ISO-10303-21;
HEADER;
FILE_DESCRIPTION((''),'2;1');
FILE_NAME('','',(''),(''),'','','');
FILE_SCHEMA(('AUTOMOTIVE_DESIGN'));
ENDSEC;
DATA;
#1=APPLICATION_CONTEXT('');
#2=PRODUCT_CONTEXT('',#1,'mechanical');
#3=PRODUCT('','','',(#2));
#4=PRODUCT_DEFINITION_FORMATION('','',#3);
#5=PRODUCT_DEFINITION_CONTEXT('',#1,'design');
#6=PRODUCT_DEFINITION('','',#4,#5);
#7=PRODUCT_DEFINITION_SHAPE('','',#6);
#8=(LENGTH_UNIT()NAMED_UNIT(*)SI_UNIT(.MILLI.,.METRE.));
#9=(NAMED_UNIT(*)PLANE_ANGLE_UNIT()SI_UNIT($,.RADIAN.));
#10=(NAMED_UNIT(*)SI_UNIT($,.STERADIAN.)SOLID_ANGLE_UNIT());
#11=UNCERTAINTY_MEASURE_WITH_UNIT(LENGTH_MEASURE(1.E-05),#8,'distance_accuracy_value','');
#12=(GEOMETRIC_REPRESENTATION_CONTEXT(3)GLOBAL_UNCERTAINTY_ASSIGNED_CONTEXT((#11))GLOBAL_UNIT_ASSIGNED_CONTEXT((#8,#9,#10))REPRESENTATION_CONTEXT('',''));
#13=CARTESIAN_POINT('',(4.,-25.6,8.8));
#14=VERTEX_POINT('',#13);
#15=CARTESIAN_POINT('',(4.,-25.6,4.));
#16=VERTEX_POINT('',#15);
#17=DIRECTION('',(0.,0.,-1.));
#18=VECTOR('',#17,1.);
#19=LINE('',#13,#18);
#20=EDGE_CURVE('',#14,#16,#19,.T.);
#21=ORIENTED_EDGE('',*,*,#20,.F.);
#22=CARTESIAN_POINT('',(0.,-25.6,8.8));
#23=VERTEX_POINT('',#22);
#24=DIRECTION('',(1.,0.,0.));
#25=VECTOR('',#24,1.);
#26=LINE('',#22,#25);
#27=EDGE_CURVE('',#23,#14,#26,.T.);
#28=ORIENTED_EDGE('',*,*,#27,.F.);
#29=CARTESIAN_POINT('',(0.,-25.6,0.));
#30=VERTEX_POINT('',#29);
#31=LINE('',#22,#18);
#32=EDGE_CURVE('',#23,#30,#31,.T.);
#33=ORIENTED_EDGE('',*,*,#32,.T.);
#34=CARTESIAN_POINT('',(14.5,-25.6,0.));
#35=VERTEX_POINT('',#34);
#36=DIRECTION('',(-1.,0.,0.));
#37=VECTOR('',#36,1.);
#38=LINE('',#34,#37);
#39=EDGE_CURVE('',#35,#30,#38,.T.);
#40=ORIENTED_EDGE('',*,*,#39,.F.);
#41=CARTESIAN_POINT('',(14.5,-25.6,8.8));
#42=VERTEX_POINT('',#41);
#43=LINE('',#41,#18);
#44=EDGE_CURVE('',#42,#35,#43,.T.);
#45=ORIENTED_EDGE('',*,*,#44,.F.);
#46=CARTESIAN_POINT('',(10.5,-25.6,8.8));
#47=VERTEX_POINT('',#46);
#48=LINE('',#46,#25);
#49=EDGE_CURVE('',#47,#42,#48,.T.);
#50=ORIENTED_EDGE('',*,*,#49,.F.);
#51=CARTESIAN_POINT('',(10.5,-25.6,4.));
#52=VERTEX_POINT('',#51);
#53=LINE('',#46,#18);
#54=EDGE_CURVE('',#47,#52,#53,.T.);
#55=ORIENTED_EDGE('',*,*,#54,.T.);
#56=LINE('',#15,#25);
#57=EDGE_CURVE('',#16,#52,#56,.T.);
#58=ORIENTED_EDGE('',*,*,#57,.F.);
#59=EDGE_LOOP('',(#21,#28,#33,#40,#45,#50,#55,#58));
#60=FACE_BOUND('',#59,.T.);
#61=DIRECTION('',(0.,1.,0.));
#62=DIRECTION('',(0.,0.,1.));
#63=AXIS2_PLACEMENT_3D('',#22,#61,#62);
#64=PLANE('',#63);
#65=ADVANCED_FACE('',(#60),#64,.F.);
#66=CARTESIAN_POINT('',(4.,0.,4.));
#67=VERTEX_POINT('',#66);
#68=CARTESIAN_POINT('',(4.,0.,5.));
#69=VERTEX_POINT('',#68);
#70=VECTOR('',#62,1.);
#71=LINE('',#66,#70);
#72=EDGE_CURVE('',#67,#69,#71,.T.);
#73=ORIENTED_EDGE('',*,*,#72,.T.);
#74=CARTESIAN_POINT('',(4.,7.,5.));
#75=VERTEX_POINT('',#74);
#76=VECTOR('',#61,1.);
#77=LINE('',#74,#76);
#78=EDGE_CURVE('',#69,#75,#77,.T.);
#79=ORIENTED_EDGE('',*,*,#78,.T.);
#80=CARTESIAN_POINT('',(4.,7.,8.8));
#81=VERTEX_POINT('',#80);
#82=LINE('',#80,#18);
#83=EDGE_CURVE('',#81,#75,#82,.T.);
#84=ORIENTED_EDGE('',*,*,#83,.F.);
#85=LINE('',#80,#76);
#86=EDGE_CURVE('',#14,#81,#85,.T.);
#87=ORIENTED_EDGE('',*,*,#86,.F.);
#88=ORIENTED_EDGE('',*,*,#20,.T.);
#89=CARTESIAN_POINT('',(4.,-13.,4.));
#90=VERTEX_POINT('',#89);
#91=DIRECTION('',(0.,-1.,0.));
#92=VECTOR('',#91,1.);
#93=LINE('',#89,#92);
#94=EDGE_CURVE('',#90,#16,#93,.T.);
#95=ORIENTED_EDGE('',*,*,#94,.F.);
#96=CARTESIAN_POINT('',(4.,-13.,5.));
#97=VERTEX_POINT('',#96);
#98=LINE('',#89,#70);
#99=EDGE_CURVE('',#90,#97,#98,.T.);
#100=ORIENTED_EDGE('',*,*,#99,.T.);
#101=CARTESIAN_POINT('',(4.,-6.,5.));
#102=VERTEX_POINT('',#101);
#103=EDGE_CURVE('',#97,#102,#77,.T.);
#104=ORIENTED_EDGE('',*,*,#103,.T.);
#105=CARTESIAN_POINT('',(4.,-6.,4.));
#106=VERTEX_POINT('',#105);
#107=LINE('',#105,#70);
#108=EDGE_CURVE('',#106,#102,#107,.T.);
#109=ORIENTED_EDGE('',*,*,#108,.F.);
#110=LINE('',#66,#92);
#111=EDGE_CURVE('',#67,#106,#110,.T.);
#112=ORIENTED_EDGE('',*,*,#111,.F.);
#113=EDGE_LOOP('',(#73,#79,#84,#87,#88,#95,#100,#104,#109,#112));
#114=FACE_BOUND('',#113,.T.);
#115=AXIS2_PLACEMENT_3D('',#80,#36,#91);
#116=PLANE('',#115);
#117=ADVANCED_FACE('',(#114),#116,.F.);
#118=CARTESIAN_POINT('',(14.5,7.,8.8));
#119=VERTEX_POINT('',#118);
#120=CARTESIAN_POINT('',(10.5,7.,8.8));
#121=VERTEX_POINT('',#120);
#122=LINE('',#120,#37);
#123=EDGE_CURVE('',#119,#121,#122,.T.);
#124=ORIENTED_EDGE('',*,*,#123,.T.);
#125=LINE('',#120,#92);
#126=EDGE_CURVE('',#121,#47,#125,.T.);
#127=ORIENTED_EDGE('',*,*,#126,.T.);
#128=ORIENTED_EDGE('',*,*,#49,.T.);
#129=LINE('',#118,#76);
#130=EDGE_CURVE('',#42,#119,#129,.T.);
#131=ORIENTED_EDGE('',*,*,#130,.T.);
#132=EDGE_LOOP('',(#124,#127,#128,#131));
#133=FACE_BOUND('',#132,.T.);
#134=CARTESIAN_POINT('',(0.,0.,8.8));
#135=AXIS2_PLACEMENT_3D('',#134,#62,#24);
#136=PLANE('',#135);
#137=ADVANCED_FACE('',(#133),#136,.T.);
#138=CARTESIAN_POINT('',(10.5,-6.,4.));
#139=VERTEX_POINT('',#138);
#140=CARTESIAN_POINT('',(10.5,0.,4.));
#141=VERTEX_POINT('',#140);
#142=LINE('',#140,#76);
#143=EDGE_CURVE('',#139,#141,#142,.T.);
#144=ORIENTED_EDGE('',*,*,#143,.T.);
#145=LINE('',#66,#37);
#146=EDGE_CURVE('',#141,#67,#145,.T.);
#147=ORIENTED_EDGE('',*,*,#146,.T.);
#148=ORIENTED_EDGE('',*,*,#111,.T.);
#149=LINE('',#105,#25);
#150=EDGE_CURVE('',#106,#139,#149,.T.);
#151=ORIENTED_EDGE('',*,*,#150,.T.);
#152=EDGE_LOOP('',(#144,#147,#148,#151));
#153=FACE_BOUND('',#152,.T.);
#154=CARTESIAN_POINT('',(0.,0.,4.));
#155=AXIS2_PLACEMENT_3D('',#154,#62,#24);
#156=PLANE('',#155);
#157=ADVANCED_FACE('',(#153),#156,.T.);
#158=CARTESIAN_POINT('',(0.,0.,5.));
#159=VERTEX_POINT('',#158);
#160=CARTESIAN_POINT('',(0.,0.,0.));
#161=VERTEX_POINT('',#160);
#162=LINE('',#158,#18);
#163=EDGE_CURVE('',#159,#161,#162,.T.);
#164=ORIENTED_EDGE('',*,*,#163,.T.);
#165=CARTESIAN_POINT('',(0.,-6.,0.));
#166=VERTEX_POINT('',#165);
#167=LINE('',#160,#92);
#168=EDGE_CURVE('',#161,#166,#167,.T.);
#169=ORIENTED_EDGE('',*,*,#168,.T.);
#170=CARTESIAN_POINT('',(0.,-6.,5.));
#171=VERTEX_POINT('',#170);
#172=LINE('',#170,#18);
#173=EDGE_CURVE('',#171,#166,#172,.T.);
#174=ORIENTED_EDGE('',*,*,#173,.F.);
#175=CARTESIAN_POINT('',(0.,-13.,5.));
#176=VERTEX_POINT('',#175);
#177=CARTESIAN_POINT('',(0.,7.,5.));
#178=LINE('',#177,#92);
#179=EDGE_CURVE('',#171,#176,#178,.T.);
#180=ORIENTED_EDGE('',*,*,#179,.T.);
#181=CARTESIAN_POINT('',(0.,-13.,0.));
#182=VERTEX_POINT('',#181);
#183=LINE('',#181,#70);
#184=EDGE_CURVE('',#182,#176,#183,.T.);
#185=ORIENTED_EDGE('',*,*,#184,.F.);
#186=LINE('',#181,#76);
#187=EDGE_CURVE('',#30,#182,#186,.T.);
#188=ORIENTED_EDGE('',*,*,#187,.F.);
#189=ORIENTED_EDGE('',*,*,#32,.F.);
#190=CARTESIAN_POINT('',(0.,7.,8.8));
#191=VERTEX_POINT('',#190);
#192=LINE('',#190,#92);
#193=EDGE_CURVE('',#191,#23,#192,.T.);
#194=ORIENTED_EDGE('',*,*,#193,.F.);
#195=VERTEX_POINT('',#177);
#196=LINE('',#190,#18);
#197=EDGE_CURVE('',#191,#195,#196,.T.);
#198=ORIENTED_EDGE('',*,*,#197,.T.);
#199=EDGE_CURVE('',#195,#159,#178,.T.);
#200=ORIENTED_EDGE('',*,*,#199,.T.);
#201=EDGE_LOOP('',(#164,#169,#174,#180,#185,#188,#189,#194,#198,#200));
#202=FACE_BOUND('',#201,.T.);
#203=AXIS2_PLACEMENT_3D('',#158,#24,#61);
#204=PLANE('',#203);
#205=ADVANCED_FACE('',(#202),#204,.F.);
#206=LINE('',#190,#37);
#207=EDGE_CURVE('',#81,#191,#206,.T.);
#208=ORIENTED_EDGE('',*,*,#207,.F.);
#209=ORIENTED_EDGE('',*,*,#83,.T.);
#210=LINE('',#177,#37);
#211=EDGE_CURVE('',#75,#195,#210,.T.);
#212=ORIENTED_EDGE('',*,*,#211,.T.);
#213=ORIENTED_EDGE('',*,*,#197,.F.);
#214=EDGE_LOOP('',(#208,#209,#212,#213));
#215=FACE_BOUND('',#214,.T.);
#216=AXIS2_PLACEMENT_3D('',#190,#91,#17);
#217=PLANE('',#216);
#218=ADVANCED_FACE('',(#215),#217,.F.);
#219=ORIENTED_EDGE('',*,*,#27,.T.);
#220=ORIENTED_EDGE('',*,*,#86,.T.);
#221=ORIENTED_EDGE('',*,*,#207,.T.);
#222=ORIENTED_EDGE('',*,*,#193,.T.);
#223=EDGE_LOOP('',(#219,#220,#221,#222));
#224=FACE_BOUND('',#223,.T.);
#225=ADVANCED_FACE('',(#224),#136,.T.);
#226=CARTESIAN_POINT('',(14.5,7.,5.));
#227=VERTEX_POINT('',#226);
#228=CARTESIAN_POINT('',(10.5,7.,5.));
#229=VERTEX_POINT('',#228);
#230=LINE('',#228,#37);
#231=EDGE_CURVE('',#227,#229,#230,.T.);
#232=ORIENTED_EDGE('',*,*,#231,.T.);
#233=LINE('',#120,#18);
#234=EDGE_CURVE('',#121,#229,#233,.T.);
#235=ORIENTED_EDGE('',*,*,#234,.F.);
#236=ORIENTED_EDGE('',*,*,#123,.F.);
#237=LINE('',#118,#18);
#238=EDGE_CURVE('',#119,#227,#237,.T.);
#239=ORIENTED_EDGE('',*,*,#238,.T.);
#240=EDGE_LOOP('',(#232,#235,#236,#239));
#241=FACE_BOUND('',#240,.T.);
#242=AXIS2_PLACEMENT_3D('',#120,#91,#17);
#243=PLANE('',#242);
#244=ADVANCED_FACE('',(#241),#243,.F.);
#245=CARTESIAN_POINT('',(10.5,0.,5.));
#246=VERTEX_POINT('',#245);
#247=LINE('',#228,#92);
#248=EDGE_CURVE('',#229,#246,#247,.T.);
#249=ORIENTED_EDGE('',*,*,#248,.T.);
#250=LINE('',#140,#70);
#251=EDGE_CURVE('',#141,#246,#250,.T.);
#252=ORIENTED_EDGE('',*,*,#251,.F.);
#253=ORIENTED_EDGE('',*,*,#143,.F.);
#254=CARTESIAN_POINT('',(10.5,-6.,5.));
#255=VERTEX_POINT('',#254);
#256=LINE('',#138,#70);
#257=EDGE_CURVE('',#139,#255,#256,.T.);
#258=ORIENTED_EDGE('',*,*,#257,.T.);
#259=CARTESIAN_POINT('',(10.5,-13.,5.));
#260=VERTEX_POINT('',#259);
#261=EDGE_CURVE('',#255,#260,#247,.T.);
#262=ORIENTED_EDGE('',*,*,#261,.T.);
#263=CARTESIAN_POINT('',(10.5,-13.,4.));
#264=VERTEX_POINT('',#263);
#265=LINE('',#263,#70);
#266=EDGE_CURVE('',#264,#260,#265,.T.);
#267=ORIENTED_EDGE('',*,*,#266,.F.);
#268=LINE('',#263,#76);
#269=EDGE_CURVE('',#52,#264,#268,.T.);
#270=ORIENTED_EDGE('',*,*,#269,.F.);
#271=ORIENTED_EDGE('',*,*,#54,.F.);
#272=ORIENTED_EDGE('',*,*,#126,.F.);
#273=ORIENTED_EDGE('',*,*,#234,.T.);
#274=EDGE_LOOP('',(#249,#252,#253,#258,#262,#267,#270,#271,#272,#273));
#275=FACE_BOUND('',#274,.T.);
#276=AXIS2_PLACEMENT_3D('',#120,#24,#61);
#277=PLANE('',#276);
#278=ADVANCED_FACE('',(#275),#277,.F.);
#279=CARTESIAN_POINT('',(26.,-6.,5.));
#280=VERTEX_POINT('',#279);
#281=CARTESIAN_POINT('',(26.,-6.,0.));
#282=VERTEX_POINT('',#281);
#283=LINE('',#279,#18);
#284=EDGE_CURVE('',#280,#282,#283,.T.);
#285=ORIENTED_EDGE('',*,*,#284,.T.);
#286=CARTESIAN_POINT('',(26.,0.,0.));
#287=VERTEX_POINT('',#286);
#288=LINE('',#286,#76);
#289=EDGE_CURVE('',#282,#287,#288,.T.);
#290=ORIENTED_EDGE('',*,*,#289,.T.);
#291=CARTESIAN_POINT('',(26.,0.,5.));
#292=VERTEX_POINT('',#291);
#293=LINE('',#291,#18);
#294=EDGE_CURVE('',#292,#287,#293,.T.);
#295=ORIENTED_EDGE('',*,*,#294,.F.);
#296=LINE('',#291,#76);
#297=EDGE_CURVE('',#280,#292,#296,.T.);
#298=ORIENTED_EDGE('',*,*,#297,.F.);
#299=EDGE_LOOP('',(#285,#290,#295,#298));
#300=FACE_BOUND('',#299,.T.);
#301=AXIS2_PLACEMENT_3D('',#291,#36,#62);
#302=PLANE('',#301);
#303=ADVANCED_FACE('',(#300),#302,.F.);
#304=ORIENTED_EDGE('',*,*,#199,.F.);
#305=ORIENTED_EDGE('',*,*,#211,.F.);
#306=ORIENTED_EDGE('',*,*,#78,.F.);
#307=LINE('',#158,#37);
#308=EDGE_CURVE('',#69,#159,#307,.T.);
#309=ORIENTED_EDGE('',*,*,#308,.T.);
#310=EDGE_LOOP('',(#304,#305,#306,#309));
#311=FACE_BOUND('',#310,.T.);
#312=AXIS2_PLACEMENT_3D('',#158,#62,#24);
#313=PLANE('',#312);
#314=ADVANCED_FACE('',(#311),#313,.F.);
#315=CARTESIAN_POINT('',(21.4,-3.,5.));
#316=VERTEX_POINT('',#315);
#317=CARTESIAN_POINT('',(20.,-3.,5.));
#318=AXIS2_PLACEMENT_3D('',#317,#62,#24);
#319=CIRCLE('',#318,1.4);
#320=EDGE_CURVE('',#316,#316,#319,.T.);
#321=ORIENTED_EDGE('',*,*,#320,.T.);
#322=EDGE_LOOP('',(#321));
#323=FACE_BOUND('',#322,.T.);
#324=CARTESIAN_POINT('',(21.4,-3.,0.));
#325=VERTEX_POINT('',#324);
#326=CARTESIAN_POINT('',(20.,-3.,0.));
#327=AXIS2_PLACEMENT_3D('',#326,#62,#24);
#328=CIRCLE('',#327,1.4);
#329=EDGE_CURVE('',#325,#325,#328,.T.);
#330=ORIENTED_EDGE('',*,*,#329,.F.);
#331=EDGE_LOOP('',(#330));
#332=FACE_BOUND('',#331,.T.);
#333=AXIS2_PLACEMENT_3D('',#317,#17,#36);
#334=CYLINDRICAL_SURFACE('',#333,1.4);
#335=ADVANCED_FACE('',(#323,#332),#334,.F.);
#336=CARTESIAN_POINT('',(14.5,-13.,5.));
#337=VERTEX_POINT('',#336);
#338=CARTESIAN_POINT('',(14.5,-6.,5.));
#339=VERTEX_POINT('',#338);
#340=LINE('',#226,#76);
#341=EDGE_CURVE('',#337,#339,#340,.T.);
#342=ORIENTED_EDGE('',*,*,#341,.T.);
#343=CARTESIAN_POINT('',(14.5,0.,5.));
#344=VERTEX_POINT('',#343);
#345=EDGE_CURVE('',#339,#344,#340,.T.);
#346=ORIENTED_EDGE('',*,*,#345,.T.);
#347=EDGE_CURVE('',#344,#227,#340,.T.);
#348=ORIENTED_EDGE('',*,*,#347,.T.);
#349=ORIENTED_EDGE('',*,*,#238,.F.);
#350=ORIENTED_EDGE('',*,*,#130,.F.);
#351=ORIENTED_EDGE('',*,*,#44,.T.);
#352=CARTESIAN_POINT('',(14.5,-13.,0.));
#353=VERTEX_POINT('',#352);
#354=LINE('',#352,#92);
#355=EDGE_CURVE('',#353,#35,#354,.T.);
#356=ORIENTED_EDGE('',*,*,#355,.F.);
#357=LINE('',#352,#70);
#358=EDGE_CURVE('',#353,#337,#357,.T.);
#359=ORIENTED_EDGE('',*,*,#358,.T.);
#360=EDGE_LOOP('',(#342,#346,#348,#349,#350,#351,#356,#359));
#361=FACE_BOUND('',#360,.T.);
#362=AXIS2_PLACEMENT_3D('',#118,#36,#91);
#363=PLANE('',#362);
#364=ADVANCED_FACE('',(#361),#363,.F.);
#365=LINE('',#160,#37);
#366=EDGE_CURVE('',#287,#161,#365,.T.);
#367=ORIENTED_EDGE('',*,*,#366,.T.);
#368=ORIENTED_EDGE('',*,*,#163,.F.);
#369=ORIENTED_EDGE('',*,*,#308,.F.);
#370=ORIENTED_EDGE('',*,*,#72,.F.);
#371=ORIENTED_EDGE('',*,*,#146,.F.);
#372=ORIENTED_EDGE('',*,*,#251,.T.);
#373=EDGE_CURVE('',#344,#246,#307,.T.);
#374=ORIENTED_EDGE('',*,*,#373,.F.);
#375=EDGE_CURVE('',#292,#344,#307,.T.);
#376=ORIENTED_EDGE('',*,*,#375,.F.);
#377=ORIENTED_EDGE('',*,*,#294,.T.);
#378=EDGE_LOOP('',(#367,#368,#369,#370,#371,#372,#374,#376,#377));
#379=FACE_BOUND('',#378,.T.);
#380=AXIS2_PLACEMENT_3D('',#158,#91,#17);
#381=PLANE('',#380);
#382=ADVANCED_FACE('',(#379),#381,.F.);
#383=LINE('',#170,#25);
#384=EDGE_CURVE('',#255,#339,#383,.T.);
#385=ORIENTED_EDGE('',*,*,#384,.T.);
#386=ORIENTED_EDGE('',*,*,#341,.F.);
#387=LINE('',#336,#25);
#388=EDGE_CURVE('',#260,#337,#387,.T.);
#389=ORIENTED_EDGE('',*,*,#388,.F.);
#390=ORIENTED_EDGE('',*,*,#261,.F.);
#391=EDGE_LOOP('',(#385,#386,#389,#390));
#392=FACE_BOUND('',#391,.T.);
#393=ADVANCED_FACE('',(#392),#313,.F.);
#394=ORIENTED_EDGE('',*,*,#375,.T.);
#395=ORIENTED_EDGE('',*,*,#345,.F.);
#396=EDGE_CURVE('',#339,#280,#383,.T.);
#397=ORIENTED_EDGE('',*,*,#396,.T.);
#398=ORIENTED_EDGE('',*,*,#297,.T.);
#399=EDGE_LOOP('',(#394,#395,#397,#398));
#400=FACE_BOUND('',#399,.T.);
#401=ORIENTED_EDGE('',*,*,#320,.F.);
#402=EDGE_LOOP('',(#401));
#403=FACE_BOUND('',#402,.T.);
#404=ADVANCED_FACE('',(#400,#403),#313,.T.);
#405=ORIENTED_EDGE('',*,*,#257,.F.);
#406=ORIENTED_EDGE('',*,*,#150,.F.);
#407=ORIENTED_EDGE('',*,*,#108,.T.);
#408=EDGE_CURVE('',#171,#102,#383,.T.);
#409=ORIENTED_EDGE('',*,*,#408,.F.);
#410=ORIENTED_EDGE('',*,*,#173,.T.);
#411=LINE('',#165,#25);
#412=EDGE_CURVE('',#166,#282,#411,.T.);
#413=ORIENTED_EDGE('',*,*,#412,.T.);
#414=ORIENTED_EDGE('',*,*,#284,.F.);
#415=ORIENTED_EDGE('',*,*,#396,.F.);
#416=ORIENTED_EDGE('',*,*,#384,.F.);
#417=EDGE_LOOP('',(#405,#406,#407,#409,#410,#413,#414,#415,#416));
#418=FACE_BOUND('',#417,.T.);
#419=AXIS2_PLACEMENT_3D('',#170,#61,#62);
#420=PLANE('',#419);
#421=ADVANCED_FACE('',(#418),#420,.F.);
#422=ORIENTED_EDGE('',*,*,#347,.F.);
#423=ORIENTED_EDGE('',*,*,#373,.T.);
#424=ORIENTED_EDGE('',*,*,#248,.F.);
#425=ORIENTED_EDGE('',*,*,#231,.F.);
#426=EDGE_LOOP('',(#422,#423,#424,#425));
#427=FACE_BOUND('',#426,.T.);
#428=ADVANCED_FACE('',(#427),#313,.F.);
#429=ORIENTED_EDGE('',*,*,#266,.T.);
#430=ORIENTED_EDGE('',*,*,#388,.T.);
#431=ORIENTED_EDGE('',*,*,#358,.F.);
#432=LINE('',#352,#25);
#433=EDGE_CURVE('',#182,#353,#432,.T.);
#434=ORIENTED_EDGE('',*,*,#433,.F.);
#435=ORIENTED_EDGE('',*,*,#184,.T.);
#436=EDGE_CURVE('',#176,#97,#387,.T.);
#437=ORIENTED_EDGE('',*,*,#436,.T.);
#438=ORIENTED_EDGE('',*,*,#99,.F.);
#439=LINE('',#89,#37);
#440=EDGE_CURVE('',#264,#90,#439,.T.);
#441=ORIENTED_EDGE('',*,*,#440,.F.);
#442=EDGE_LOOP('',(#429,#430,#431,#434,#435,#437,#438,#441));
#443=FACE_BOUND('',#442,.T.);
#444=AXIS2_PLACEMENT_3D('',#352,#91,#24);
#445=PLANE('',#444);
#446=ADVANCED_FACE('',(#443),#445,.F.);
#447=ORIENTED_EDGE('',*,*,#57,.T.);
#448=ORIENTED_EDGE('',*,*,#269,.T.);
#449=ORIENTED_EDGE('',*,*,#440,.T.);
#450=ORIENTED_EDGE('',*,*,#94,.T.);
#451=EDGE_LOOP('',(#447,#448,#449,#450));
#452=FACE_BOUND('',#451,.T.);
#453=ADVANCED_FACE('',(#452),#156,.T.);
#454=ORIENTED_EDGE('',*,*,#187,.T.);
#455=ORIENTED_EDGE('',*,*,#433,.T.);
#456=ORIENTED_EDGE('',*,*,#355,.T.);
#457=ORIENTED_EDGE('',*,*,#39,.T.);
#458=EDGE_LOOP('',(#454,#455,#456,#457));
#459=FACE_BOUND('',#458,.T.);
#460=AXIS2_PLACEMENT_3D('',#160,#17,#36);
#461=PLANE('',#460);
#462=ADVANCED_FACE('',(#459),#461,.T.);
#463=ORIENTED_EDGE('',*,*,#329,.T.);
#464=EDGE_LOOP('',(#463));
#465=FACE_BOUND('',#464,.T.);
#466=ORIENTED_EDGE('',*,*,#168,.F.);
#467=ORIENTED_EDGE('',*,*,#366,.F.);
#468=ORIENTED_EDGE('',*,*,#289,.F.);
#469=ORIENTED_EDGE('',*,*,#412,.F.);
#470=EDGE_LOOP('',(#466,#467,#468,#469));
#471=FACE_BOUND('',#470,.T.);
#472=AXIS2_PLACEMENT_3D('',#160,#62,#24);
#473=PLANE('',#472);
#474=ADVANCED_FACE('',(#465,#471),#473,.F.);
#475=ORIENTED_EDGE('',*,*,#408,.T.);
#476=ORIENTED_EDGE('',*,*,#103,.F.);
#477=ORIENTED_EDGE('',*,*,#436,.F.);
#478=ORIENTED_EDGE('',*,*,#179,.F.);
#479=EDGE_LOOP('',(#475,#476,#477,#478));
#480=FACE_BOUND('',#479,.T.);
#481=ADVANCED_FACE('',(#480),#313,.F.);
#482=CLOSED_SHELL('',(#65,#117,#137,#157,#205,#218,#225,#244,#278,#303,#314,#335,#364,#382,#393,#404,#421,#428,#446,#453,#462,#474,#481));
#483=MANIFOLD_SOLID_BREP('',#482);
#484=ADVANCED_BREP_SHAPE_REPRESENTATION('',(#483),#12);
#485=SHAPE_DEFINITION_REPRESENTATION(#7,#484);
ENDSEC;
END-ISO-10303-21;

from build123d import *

# Parameters (mm, degrees)
SKETCH_1_W          = 26
SKETCH_1_H          = 6
SKETCH_1_R          = 1.4
EXTRUDE_1_DEPTH     = 5
SKETCH_2_W          = 4
SKETCH_2_H          = 32.6
EXTRUDE_2_DEPTH     = 3.8
SKETCH_3_W          = 6.5
SKETCH_3_H          = 6
CUT_EXTRUDE_1_DEPTH = 1
SKETCH_4_W          = 14.5
SKETCH_4_H          = 12.6
EXTRUDE_3_DEPTH     = 5
SKETCH_5_W          = 6.5
SKETCH_5_H          = 12.6
CUT_EXTRUDE_2_DEPTH = 1


with BuildPart() as part:
    # 草图1 → 凸台-拉伸1 (new body)
    with BuildSketch(Plane.XY):
        with Locations((13, -3)):
            Rectangle(SKETCH_1_W, SKETCH_1_H)
        with Locations((20, -3)):
            Circle(SKETCH_1_R, mode=Mode.SUBTRACT)
    extrude(amount=EXTRUDE_1_DEPTH)

    # 草图2 → 凸台-拉伸2 (add)
    with BuildSketch(Plane.XY.offset(5)):
        with Locations((2, -9.3)):
            Rectangle(SKETCH_2_W, SKETCH_2_H)
        with Locations((12.5, -9.3)):
            Rectangle(SKETCH_2_W, SKETCH_2_H)
    extrude(amount=EXTRUDE_2_DEPTH)

    # 草图3 → 切除-拉伸1 (cut)
    with BuildSketch(Plane.XY.offset(5)):
        with Locations((7.25, -3)):
            Rectangle(SKETCH_3_W, SKETCH_3_H)
    extrude(amount=-CUT_EXTRUDE_1_DEPTH, mode=Mode.SUBTRACT)

    # 草图4 → 凸台-拉伸3 (add)
    with BuildSketch(Plane(origin=(0, 0, 5), x_dir=(-1, 0, 0), z_dir=(0, 0, -1))):
        with Locations((-7.25, -19.3)):
            Rectangle(SKETCH_4_W, SKETCH_4_H)
    extrude(amount=EXTRUDE_3_DEPTH)

    # 草图5 → 切除-拉伸2 (cut)
    with BuildSketch(Plane.XY.offset(5)):
        with Locations((7.25, -19.3)):
            Rectangle(SKETCH_5_W, SKETCH_5_H)
    extrude(amount=-CUT_EXTRUDE_2_DEPTH, mode=Mode.SUBTRACT)


solid = part.part
